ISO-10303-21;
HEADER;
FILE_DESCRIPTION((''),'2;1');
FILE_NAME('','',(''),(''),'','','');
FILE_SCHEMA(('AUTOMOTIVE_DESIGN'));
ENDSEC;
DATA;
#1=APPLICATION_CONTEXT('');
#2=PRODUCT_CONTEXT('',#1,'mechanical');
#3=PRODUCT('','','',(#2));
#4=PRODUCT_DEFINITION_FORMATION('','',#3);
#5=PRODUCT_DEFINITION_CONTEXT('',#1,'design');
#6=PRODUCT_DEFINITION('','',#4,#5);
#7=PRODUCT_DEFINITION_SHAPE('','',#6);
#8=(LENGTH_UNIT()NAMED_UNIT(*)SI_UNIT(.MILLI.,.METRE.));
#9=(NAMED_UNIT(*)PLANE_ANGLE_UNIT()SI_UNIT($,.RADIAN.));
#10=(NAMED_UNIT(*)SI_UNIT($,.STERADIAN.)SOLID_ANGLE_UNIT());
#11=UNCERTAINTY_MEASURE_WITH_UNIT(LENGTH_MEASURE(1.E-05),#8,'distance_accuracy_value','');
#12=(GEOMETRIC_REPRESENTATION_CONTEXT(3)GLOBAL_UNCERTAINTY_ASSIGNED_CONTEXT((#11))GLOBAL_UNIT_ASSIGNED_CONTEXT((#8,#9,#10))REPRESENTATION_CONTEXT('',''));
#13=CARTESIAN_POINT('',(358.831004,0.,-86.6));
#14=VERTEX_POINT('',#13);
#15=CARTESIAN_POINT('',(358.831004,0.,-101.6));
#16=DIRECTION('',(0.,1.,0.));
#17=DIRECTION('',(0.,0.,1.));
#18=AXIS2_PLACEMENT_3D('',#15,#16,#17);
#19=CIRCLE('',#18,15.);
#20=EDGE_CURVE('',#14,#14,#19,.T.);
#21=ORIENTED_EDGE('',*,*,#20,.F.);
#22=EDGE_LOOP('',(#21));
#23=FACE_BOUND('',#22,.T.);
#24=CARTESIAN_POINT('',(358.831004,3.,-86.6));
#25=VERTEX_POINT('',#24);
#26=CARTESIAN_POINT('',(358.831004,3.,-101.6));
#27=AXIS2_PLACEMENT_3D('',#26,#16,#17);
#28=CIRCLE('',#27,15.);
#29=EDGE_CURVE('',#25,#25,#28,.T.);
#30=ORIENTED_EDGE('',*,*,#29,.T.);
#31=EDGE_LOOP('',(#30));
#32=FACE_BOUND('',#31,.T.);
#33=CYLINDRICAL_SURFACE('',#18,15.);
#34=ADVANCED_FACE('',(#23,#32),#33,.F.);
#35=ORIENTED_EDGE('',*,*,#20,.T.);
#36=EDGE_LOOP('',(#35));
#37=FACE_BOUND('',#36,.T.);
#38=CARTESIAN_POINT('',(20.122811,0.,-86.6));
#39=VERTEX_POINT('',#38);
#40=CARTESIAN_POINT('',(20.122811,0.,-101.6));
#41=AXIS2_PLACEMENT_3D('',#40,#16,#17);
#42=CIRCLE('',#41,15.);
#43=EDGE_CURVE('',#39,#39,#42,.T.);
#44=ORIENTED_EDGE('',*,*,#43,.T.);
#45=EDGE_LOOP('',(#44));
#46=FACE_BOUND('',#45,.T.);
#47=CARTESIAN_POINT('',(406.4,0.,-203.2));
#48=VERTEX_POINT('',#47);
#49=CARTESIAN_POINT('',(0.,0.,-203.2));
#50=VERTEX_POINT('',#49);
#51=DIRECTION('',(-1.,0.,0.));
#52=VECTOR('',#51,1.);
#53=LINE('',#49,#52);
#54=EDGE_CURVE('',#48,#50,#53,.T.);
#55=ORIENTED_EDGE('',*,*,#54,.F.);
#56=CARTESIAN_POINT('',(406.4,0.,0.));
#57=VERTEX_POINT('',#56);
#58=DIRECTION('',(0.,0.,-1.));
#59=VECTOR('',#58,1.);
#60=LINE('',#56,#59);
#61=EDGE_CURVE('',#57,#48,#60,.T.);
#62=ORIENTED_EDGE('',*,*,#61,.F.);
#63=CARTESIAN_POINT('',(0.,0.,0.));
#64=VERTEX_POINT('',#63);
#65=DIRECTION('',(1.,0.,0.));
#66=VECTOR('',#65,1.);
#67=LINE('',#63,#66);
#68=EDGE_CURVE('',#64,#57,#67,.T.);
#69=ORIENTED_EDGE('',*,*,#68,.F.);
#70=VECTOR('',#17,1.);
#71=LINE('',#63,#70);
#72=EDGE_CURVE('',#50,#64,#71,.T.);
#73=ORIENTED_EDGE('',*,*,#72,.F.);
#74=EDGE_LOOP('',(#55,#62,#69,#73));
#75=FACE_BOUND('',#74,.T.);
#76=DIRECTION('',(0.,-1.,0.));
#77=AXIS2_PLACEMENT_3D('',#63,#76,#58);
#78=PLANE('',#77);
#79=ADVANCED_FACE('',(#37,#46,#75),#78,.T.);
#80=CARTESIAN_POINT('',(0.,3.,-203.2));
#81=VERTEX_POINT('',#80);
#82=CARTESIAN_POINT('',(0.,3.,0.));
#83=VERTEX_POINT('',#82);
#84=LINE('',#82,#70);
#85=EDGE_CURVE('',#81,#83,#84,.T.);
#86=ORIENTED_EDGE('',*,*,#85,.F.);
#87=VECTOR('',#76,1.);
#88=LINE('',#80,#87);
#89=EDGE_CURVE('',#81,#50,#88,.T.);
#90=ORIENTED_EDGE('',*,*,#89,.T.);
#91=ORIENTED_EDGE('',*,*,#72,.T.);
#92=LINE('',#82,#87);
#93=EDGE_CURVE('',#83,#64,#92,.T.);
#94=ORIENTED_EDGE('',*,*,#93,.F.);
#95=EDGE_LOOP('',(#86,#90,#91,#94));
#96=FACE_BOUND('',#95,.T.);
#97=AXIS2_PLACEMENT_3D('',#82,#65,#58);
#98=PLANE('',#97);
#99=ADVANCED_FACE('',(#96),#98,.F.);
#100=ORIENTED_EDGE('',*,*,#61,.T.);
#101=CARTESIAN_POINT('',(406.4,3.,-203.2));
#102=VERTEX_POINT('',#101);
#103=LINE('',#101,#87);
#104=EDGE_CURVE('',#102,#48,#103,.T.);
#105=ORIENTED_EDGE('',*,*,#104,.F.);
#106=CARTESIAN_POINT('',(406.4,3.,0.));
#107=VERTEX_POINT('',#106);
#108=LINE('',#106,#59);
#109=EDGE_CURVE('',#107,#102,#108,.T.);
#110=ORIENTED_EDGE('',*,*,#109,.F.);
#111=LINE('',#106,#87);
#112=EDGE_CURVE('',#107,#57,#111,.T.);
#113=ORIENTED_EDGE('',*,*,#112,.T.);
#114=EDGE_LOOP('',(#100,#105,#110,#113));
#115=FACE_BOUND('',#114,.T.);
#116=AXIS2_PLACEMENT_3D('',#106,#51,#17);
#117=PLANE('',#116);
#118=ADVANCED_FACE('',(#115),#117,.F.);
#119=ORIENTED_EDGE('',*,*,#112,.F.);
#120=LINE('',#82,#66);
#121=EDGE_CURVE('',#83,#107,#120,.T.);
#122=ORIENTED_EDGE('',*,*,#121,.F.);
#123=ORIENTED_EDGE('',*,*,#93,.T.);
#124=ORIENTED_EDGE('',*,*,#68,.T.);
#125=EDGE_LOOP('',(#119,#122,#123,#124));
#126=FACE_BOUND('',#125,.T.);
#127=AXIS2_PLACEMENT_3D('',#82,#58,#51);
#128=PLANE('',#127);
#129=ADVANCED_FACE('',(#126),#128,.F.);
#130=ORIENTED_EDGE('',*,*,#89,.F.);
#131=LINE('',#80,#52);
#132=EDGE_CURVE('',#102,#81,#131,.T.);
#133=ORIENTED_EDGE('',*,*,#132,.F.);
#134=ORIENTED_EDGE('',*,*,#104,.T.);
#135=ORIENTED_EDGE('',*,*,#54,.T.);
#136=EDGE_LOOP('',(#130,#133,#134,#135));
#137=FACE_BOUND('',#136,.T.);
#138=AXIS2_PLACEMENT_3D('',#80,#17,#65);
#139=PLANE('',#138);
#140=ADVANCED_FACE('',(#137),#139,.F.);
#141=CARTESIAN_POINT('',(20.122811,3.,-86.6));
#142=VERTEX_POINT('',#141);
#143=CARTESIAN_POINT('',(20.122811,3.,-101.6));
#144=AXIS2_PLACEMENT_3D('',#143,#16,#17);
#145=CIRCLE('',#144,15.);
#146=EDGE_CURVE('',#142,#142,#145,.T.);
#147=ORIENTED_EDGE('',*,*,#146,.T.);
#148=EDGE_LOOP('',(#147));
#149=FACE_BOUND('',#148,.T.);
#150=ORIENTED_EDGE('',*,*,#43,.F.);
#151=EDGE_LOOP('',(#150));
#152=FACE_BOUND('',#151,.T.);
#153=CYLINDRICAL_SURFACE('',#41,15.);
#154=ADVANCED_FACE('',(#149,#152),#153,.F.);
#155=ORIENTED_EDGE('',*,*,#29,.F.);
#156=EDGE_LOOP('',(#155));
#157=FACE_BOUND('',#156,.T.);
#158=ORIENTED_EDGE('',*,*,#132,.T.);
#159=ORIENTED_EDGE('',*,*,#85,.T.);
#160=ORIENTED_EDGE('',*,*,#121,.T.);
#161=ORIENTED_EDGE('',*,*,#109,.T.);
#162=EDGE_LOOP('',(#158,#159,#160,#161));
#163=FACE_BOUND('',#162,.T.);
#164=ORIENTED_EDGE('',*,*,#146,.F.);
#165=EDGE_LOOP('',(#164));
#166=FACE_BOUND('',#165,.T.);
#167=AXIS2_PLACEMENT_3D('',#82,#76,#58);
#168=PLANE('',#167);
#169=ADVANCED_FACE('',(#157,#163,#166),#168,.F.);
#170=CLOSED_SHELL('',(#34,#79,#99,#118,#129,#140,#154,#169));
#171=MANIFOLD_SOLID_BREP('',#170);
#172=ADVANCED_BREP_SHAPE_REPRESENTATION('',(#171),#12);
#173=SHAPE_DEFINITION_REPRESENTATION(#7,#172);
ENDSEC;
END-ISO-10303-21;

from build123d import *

# Parameters (mm, degrees)
SKETCH1_W           = 406.4
SKETCH1_H           = 203.2
BOSS_EXTRUDE1_DEPTH = 3
SKETCH2_R           = 15
CUT_EXTRUDE1_DEPTH  = 4


with BuildPart() as part:
    # Sketch1 → Boss-Extrude1 (new body)
    with BuildSketch(Plane(origin=(0, 0, 0), x_dir=(1, 0, 0), z_dir=(0, 1, 0))):
        with Locations((203.2, 101.6)):
            Rectangle(SKETCH1_W, SKETCH1_H)
    extrude(amount=BOSS_EXTRUDE1_DEPTH)

    # Sketch2 → Cut-Extrude1 (cut, through all)
    with BuildSketch(Plane(origin=(0, 3, 0), x_dir=(1, 0, 0), z_dir=(0, 1, 0))):
        with Locations((20.122810709, 101.6)):
            Circle(SKETCH2_R)
        with Locations((358.831003767, 101.6)):
            Circle(SKETCH2_R)
    extrude(amount=-CUT_EXTRUDE1_DEPTH, mode=Mode.SUBTRACT)


solid = part.part
